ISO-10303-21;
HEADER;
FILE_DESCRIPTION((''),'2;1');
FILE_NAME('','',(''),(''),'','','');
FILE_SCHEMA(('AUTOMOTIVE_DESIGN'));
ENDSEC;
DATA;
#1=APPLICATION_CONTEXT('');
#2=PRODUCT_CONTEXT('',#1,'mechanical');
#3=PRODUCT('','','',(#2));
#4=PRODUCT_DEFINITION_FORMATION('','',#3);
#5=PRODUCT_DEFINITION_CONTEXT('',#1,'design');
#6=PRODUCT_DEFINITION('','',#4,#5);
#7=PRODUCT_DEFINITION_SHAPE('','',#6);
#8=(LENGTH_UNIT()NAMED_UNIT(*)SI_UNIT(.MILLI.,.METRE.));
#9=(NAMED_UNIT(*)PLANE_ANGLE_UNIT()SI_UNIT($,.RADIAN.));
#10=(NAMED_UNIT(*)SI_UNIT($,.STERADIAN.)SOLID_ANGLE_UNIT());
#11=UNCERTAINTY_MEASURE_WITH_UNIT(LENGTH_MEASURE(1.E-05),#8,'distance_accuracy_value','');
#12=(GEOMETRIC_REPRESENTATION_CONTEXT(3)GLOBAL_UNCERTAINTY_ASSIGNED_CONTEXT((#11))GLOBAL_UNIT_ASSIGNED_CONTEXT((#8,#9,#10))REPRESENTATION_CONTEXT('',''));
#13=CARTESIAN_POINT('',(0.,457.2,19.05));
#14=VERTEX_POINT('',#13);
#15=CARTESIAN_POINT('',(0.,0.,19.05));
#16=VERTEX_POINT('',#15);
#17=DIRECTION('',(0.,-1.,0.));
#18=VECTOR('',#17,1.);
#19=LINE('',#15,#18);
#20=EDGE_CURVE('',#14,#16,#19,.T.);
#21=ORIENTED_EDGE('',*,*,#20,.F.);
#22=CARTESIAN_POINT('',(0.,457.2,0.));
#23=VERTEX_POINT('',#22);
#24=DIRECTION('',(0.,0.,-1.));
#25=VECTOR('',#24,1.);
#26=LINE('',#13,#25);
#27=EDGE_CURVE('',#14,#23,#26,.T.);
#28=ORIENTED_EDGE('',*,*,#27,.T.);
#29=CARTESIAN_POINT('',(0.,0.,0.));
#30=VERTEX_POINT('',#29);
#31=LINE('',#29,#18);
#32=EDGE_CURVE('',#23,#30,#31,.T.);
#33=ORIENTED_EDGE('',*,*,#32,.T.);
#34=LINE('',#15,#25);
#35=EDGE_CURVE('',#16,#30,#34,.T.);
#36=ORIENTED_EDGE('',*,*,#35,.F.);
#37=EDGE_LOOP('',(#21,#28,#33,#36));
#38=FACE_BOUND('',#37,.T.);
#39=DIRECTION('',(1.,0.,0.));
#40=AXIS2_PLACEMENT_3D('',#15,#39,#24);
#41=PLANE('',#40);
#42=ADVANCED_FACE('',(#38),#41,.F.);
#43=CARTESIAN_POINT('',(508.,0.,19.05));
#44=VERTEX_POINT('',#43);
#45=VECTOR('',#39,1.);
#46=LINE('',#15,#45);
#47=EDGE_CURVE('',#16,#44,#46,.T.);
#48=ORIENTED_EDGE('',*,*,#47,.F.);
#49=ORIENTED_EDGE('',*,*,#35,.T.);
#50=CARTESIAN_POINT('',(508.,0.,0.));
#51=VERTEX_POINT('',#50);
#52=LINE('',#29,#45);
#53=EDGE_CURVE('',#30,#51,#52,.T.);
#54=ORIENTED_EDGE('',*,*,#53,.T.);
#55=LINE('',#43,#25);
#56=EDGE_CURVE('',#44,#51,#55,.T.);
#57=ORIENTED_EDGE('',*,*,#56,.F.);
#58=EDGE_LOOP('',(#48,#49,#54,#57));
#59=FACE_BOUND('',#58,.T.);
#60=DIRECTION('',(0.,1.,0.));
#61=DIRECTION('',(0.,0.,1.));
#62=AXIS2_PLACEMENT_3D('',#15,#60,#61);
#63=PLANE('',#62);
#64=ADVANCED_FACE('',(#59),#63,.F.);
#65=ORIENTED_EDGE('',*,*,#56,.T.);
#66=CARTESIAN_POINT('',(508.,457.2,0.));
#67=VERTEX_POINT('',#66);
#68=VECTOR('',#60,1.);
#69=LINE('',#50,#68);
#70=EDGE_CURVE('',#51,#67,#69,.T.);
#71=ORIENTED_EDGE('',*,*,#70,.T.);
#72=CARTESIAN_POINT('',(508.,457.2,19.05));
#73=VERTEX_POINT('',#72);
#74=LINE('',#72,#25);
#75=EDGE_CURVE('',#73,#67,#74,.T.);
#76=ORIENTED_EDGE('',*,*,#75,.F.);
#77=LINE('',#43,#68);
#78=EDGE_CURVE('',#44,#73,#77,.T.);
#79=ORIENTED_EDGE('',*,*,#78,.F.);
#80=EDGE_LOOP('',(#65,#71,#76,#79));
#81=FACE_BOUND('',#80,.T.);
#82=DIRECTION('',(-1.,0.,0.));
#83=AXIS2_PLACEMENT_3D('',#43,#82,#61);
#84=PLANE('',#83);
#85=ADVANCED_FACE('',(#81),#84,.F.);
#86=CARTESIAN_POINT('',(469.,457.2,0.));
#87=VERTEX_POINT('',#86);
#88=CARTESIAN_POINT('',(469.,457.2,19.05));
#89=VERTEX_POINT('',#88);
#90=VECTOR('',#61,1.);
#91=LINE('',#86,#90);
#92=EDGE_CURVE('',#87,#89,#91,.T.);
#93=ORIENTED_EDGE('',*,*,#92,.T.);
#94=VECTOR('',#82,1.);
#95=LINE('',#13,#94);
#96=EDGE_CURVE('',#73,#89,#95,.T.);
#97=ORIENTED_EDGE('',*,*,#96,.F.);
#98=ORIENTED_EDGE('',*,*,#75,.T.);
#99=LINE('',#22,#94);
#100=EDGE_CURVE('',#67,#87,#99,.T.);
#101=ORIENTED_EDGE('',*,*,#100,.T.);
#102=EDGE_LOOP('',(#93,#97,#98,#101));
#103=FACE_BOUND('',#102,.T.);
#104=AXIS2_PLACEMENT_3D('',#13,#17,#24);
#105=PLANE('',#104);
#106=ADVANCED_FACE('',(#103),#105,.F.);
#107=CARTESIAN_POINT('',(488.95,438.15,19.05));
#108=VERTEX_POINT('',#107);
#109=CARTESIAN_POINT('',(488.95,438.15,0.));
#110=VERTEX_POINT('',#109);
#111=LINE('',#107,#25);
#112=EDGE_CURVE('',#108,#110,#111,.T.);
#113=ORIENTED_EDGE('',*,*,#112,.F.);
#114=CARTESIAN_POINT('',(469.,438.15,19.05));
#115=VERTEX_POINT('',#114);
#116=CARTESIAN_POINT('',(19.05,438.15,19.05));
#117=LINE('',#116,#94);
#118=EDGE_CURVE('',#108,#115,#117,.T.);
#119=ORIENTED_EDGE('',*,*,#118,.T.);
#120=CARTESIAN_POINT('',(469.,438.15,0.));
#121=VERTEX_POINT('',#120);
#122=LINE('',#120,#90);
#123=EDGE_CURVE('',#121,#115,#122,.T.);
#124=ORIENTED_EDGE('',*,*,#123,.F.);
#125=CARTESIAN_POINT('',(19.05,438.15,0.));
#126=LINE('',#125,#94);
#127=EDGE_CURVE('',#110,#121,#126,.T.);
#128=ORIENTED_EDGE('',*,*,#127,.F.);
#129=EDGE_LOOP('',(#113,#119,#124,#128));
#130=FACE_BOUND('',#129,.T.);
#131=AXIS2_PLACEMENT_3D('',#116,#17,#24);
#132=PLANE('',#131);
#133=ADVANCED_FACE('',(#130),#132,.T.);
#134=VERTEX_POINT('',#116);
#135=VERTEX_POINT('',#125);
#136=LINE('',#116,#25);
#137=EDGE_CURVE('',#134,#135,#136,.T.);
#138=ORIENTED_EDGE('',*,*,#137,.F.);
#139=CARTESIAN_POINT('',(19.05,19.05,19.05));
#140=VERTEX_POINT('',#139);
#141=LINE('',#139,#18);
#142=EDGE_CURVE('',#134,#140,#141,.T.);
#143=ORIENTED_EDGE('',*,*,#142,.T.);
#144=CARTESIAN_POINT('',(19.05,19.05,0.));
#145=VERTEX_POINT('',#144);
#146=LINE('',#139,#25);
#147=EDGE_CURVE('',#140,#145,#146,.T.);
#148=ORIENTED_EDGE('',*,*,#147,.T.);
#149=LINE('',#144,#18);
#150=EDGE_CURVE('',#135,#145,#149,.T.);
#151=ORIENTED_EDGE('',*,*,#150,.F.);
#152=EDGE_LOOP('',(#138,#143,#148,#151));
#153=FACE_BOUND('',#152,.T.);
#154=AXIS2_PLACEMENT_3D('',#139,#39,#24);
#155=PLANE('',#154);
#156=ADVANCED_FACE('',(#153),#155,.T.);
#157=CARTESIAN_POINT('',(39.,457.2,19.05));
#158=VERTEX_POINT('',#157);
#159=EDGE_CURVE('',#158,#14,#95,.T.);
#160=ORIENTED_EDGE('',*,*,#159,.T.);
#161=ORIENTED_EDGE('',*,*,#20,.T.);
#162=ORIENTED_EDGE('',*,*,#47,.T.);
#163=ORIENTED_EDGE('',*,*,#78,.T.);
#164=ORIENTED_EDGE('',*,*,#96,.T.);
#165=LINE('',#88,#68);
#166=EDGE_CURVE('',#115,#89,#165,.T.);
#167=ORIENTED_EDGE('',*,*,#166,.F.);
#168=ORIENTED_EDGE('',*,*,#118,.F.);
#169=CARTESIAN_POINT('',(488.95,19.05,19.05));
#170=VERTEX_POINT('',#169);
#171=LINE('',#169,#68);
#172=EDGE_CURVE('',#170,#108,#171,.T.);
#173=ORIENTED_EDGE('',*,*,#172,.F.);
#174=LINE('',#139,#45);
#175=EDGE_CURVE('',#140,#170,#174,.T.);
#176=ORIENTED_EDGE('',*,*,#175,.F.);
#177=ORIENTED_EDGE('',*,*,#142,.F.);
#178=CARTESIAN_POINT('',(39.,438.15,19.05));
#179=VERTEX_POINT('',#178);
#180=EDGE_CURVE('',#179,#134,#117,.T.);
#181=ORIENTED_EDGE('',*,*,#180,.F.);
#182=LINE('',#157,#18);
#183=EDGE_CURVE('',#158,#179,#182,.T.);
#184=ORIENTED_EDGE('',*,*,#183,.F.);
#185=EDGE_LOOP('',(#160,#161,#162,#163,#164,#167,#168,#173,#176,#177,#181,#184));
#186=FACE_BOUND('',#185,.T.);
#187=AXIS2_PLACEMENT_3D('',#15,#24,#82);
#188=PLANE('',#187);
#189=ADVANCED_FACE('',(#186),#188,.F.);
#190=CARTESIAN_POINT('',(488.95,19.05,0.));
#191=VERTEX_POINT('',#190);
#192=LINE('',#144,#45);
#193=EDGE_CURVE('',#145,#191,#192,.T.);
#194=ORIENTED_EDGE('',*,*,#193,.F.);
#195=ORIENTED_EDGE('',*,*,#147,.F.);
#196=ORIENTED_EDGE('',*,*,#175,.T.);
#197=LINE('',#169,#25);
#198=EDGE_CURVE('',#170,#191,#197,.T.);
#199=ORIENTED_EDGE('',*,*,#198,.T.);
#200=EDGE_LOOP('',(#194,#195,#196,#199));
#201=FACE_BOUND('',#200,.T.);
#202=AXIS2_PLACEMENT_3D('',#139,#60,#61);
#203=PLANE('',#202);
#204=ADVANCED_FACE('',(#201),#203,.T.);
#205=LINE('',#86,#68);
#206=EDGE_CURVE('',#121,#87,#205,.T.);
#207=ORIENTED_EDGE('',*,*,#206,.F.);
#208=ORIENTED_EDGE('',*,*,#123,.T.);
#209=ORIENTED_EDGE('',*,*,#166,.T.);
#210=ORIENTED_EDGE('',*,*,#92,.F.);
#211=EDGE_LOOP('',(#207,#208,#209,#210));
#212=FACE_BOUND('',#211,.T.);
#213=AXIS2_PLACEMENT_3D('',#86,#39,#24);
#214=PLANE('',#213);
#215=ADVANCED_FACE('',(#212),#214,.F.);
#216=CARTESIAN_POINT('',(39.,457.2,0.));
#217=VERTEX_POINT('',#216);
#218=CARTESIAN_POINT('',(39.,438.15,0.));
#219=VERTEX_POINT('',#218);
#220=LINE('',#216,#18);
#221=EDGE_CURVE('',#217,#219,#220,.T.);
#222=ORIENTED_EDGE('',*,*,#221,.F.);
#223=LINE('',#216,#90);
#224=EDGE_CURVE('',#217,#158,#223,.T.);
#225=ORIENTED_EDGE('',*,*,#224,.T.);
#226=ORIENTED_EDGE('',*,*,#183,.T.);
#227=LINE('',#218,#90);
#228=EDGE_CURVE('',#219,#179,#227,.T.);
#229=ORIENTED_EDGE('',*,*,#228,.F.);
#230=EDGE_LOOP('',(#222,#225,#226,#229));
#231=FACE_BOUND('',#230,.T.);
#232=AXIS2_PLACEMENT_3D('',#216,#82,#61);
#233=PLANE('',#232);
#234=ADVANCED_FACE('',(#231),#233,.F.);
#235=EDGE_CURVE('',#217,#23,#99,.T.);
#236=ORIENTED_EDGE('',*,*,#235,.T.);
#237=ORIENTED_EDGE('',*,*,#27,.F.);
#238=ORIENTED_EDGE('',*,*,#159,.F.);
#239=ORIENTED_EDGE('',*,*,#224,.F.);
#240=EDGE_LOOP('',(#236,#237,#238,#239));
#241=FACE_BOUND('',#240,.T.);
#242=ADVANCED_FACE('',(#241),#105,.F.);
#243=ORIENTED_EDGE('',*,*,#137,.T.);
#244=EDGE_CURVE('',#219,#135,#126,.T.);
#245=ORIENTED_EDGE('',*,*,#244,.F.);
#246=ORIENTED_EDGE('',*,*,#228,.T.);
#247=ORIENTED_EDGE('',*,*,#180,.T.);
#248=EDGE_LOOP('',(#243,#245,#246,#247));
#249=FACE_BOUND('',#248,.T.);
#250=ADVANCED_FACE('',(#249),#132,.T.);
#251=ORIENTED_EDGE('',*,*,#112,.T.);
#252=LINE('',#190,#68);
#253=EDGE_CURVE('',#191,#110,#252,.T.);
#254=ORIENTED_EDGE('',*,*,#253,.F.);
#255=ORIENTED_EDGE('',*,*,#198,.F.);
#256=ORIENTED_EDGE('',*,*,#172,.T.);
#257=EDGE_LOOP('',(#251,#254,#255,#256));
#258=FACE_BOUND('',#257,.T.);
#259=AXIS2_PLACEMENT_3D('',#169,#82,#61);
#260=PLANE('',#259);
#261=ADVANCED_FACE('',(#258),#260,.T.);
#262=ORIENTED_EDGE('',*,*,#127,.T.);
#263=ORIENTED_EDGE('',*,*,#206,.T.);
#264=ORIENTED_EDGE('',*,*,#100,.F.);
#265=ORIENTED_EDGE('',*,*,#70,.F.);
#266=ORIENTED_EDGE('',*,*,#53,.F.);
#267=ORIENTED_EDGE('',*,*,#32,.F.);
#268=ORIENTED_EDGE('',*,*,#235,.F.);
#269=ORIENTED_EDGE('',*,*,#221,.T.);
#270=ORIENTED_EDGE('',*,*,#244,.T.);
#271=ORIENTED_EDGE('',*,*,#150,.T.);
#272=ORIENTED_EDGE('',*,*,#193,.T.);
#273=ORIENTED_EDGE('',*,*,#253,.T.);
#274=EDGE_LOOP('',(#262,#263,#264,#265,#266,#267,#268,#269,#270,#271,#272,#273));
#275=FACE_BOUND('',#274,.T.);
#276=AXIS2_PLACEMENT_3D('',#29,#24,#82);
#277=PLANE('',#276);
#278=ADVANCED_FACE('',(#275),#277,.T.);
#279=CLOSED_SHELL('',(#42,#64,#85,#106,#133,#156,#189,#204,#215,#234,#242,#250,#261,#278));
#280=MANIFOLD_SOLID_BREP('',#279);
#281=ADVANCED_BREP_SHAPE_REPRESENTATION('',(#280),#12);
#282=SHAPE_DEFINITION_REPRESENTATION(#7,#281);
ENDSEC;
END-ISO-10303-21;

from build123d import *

# Parameters (mm, degrees)
SKETCH1_W           = 508
SKETCH1_H           = 457.2
SKETCH1_W_2         = 469.9
SKETCH1_H_2         = 419.1
BOSS_EXTRUDE1_DEPTH = 19.05
SKETCH2_W           = 430
SKETCH2_H           = 19.05
CUT_EXTRUDE1_DEPTH  = 684.709545421


with BuildPart() as part:
    # Sketch1 → Boss-Extrude1 (new body)
    with BuildSketch(Plane.XY):
        with Locations((254, 228.6)):
            Rectangle(SKETCH1_W, SKETCH1_H)
        with Locations((254, 228.6)):
            Rectangle(SKETCH1_W_2, SKETCH1_H_2, mode=Mode.SUBTRACT)
    extrude(amount=BOSS_EXTRUDE1_DEPTH)

    # Sketch2 → Cut-Extrude1 (cut, through all)
    with BuildSketch(Plane.XY.offset(19.05)):
        with Locations((254, 447.675)):
            Rectangle(SKETCH2_W, SKETCH2_H)
    extrude(amount=-CUT_EXTRUDE1_DEPTH, mode=Mode.SUBTRACT)


solid = part.part
